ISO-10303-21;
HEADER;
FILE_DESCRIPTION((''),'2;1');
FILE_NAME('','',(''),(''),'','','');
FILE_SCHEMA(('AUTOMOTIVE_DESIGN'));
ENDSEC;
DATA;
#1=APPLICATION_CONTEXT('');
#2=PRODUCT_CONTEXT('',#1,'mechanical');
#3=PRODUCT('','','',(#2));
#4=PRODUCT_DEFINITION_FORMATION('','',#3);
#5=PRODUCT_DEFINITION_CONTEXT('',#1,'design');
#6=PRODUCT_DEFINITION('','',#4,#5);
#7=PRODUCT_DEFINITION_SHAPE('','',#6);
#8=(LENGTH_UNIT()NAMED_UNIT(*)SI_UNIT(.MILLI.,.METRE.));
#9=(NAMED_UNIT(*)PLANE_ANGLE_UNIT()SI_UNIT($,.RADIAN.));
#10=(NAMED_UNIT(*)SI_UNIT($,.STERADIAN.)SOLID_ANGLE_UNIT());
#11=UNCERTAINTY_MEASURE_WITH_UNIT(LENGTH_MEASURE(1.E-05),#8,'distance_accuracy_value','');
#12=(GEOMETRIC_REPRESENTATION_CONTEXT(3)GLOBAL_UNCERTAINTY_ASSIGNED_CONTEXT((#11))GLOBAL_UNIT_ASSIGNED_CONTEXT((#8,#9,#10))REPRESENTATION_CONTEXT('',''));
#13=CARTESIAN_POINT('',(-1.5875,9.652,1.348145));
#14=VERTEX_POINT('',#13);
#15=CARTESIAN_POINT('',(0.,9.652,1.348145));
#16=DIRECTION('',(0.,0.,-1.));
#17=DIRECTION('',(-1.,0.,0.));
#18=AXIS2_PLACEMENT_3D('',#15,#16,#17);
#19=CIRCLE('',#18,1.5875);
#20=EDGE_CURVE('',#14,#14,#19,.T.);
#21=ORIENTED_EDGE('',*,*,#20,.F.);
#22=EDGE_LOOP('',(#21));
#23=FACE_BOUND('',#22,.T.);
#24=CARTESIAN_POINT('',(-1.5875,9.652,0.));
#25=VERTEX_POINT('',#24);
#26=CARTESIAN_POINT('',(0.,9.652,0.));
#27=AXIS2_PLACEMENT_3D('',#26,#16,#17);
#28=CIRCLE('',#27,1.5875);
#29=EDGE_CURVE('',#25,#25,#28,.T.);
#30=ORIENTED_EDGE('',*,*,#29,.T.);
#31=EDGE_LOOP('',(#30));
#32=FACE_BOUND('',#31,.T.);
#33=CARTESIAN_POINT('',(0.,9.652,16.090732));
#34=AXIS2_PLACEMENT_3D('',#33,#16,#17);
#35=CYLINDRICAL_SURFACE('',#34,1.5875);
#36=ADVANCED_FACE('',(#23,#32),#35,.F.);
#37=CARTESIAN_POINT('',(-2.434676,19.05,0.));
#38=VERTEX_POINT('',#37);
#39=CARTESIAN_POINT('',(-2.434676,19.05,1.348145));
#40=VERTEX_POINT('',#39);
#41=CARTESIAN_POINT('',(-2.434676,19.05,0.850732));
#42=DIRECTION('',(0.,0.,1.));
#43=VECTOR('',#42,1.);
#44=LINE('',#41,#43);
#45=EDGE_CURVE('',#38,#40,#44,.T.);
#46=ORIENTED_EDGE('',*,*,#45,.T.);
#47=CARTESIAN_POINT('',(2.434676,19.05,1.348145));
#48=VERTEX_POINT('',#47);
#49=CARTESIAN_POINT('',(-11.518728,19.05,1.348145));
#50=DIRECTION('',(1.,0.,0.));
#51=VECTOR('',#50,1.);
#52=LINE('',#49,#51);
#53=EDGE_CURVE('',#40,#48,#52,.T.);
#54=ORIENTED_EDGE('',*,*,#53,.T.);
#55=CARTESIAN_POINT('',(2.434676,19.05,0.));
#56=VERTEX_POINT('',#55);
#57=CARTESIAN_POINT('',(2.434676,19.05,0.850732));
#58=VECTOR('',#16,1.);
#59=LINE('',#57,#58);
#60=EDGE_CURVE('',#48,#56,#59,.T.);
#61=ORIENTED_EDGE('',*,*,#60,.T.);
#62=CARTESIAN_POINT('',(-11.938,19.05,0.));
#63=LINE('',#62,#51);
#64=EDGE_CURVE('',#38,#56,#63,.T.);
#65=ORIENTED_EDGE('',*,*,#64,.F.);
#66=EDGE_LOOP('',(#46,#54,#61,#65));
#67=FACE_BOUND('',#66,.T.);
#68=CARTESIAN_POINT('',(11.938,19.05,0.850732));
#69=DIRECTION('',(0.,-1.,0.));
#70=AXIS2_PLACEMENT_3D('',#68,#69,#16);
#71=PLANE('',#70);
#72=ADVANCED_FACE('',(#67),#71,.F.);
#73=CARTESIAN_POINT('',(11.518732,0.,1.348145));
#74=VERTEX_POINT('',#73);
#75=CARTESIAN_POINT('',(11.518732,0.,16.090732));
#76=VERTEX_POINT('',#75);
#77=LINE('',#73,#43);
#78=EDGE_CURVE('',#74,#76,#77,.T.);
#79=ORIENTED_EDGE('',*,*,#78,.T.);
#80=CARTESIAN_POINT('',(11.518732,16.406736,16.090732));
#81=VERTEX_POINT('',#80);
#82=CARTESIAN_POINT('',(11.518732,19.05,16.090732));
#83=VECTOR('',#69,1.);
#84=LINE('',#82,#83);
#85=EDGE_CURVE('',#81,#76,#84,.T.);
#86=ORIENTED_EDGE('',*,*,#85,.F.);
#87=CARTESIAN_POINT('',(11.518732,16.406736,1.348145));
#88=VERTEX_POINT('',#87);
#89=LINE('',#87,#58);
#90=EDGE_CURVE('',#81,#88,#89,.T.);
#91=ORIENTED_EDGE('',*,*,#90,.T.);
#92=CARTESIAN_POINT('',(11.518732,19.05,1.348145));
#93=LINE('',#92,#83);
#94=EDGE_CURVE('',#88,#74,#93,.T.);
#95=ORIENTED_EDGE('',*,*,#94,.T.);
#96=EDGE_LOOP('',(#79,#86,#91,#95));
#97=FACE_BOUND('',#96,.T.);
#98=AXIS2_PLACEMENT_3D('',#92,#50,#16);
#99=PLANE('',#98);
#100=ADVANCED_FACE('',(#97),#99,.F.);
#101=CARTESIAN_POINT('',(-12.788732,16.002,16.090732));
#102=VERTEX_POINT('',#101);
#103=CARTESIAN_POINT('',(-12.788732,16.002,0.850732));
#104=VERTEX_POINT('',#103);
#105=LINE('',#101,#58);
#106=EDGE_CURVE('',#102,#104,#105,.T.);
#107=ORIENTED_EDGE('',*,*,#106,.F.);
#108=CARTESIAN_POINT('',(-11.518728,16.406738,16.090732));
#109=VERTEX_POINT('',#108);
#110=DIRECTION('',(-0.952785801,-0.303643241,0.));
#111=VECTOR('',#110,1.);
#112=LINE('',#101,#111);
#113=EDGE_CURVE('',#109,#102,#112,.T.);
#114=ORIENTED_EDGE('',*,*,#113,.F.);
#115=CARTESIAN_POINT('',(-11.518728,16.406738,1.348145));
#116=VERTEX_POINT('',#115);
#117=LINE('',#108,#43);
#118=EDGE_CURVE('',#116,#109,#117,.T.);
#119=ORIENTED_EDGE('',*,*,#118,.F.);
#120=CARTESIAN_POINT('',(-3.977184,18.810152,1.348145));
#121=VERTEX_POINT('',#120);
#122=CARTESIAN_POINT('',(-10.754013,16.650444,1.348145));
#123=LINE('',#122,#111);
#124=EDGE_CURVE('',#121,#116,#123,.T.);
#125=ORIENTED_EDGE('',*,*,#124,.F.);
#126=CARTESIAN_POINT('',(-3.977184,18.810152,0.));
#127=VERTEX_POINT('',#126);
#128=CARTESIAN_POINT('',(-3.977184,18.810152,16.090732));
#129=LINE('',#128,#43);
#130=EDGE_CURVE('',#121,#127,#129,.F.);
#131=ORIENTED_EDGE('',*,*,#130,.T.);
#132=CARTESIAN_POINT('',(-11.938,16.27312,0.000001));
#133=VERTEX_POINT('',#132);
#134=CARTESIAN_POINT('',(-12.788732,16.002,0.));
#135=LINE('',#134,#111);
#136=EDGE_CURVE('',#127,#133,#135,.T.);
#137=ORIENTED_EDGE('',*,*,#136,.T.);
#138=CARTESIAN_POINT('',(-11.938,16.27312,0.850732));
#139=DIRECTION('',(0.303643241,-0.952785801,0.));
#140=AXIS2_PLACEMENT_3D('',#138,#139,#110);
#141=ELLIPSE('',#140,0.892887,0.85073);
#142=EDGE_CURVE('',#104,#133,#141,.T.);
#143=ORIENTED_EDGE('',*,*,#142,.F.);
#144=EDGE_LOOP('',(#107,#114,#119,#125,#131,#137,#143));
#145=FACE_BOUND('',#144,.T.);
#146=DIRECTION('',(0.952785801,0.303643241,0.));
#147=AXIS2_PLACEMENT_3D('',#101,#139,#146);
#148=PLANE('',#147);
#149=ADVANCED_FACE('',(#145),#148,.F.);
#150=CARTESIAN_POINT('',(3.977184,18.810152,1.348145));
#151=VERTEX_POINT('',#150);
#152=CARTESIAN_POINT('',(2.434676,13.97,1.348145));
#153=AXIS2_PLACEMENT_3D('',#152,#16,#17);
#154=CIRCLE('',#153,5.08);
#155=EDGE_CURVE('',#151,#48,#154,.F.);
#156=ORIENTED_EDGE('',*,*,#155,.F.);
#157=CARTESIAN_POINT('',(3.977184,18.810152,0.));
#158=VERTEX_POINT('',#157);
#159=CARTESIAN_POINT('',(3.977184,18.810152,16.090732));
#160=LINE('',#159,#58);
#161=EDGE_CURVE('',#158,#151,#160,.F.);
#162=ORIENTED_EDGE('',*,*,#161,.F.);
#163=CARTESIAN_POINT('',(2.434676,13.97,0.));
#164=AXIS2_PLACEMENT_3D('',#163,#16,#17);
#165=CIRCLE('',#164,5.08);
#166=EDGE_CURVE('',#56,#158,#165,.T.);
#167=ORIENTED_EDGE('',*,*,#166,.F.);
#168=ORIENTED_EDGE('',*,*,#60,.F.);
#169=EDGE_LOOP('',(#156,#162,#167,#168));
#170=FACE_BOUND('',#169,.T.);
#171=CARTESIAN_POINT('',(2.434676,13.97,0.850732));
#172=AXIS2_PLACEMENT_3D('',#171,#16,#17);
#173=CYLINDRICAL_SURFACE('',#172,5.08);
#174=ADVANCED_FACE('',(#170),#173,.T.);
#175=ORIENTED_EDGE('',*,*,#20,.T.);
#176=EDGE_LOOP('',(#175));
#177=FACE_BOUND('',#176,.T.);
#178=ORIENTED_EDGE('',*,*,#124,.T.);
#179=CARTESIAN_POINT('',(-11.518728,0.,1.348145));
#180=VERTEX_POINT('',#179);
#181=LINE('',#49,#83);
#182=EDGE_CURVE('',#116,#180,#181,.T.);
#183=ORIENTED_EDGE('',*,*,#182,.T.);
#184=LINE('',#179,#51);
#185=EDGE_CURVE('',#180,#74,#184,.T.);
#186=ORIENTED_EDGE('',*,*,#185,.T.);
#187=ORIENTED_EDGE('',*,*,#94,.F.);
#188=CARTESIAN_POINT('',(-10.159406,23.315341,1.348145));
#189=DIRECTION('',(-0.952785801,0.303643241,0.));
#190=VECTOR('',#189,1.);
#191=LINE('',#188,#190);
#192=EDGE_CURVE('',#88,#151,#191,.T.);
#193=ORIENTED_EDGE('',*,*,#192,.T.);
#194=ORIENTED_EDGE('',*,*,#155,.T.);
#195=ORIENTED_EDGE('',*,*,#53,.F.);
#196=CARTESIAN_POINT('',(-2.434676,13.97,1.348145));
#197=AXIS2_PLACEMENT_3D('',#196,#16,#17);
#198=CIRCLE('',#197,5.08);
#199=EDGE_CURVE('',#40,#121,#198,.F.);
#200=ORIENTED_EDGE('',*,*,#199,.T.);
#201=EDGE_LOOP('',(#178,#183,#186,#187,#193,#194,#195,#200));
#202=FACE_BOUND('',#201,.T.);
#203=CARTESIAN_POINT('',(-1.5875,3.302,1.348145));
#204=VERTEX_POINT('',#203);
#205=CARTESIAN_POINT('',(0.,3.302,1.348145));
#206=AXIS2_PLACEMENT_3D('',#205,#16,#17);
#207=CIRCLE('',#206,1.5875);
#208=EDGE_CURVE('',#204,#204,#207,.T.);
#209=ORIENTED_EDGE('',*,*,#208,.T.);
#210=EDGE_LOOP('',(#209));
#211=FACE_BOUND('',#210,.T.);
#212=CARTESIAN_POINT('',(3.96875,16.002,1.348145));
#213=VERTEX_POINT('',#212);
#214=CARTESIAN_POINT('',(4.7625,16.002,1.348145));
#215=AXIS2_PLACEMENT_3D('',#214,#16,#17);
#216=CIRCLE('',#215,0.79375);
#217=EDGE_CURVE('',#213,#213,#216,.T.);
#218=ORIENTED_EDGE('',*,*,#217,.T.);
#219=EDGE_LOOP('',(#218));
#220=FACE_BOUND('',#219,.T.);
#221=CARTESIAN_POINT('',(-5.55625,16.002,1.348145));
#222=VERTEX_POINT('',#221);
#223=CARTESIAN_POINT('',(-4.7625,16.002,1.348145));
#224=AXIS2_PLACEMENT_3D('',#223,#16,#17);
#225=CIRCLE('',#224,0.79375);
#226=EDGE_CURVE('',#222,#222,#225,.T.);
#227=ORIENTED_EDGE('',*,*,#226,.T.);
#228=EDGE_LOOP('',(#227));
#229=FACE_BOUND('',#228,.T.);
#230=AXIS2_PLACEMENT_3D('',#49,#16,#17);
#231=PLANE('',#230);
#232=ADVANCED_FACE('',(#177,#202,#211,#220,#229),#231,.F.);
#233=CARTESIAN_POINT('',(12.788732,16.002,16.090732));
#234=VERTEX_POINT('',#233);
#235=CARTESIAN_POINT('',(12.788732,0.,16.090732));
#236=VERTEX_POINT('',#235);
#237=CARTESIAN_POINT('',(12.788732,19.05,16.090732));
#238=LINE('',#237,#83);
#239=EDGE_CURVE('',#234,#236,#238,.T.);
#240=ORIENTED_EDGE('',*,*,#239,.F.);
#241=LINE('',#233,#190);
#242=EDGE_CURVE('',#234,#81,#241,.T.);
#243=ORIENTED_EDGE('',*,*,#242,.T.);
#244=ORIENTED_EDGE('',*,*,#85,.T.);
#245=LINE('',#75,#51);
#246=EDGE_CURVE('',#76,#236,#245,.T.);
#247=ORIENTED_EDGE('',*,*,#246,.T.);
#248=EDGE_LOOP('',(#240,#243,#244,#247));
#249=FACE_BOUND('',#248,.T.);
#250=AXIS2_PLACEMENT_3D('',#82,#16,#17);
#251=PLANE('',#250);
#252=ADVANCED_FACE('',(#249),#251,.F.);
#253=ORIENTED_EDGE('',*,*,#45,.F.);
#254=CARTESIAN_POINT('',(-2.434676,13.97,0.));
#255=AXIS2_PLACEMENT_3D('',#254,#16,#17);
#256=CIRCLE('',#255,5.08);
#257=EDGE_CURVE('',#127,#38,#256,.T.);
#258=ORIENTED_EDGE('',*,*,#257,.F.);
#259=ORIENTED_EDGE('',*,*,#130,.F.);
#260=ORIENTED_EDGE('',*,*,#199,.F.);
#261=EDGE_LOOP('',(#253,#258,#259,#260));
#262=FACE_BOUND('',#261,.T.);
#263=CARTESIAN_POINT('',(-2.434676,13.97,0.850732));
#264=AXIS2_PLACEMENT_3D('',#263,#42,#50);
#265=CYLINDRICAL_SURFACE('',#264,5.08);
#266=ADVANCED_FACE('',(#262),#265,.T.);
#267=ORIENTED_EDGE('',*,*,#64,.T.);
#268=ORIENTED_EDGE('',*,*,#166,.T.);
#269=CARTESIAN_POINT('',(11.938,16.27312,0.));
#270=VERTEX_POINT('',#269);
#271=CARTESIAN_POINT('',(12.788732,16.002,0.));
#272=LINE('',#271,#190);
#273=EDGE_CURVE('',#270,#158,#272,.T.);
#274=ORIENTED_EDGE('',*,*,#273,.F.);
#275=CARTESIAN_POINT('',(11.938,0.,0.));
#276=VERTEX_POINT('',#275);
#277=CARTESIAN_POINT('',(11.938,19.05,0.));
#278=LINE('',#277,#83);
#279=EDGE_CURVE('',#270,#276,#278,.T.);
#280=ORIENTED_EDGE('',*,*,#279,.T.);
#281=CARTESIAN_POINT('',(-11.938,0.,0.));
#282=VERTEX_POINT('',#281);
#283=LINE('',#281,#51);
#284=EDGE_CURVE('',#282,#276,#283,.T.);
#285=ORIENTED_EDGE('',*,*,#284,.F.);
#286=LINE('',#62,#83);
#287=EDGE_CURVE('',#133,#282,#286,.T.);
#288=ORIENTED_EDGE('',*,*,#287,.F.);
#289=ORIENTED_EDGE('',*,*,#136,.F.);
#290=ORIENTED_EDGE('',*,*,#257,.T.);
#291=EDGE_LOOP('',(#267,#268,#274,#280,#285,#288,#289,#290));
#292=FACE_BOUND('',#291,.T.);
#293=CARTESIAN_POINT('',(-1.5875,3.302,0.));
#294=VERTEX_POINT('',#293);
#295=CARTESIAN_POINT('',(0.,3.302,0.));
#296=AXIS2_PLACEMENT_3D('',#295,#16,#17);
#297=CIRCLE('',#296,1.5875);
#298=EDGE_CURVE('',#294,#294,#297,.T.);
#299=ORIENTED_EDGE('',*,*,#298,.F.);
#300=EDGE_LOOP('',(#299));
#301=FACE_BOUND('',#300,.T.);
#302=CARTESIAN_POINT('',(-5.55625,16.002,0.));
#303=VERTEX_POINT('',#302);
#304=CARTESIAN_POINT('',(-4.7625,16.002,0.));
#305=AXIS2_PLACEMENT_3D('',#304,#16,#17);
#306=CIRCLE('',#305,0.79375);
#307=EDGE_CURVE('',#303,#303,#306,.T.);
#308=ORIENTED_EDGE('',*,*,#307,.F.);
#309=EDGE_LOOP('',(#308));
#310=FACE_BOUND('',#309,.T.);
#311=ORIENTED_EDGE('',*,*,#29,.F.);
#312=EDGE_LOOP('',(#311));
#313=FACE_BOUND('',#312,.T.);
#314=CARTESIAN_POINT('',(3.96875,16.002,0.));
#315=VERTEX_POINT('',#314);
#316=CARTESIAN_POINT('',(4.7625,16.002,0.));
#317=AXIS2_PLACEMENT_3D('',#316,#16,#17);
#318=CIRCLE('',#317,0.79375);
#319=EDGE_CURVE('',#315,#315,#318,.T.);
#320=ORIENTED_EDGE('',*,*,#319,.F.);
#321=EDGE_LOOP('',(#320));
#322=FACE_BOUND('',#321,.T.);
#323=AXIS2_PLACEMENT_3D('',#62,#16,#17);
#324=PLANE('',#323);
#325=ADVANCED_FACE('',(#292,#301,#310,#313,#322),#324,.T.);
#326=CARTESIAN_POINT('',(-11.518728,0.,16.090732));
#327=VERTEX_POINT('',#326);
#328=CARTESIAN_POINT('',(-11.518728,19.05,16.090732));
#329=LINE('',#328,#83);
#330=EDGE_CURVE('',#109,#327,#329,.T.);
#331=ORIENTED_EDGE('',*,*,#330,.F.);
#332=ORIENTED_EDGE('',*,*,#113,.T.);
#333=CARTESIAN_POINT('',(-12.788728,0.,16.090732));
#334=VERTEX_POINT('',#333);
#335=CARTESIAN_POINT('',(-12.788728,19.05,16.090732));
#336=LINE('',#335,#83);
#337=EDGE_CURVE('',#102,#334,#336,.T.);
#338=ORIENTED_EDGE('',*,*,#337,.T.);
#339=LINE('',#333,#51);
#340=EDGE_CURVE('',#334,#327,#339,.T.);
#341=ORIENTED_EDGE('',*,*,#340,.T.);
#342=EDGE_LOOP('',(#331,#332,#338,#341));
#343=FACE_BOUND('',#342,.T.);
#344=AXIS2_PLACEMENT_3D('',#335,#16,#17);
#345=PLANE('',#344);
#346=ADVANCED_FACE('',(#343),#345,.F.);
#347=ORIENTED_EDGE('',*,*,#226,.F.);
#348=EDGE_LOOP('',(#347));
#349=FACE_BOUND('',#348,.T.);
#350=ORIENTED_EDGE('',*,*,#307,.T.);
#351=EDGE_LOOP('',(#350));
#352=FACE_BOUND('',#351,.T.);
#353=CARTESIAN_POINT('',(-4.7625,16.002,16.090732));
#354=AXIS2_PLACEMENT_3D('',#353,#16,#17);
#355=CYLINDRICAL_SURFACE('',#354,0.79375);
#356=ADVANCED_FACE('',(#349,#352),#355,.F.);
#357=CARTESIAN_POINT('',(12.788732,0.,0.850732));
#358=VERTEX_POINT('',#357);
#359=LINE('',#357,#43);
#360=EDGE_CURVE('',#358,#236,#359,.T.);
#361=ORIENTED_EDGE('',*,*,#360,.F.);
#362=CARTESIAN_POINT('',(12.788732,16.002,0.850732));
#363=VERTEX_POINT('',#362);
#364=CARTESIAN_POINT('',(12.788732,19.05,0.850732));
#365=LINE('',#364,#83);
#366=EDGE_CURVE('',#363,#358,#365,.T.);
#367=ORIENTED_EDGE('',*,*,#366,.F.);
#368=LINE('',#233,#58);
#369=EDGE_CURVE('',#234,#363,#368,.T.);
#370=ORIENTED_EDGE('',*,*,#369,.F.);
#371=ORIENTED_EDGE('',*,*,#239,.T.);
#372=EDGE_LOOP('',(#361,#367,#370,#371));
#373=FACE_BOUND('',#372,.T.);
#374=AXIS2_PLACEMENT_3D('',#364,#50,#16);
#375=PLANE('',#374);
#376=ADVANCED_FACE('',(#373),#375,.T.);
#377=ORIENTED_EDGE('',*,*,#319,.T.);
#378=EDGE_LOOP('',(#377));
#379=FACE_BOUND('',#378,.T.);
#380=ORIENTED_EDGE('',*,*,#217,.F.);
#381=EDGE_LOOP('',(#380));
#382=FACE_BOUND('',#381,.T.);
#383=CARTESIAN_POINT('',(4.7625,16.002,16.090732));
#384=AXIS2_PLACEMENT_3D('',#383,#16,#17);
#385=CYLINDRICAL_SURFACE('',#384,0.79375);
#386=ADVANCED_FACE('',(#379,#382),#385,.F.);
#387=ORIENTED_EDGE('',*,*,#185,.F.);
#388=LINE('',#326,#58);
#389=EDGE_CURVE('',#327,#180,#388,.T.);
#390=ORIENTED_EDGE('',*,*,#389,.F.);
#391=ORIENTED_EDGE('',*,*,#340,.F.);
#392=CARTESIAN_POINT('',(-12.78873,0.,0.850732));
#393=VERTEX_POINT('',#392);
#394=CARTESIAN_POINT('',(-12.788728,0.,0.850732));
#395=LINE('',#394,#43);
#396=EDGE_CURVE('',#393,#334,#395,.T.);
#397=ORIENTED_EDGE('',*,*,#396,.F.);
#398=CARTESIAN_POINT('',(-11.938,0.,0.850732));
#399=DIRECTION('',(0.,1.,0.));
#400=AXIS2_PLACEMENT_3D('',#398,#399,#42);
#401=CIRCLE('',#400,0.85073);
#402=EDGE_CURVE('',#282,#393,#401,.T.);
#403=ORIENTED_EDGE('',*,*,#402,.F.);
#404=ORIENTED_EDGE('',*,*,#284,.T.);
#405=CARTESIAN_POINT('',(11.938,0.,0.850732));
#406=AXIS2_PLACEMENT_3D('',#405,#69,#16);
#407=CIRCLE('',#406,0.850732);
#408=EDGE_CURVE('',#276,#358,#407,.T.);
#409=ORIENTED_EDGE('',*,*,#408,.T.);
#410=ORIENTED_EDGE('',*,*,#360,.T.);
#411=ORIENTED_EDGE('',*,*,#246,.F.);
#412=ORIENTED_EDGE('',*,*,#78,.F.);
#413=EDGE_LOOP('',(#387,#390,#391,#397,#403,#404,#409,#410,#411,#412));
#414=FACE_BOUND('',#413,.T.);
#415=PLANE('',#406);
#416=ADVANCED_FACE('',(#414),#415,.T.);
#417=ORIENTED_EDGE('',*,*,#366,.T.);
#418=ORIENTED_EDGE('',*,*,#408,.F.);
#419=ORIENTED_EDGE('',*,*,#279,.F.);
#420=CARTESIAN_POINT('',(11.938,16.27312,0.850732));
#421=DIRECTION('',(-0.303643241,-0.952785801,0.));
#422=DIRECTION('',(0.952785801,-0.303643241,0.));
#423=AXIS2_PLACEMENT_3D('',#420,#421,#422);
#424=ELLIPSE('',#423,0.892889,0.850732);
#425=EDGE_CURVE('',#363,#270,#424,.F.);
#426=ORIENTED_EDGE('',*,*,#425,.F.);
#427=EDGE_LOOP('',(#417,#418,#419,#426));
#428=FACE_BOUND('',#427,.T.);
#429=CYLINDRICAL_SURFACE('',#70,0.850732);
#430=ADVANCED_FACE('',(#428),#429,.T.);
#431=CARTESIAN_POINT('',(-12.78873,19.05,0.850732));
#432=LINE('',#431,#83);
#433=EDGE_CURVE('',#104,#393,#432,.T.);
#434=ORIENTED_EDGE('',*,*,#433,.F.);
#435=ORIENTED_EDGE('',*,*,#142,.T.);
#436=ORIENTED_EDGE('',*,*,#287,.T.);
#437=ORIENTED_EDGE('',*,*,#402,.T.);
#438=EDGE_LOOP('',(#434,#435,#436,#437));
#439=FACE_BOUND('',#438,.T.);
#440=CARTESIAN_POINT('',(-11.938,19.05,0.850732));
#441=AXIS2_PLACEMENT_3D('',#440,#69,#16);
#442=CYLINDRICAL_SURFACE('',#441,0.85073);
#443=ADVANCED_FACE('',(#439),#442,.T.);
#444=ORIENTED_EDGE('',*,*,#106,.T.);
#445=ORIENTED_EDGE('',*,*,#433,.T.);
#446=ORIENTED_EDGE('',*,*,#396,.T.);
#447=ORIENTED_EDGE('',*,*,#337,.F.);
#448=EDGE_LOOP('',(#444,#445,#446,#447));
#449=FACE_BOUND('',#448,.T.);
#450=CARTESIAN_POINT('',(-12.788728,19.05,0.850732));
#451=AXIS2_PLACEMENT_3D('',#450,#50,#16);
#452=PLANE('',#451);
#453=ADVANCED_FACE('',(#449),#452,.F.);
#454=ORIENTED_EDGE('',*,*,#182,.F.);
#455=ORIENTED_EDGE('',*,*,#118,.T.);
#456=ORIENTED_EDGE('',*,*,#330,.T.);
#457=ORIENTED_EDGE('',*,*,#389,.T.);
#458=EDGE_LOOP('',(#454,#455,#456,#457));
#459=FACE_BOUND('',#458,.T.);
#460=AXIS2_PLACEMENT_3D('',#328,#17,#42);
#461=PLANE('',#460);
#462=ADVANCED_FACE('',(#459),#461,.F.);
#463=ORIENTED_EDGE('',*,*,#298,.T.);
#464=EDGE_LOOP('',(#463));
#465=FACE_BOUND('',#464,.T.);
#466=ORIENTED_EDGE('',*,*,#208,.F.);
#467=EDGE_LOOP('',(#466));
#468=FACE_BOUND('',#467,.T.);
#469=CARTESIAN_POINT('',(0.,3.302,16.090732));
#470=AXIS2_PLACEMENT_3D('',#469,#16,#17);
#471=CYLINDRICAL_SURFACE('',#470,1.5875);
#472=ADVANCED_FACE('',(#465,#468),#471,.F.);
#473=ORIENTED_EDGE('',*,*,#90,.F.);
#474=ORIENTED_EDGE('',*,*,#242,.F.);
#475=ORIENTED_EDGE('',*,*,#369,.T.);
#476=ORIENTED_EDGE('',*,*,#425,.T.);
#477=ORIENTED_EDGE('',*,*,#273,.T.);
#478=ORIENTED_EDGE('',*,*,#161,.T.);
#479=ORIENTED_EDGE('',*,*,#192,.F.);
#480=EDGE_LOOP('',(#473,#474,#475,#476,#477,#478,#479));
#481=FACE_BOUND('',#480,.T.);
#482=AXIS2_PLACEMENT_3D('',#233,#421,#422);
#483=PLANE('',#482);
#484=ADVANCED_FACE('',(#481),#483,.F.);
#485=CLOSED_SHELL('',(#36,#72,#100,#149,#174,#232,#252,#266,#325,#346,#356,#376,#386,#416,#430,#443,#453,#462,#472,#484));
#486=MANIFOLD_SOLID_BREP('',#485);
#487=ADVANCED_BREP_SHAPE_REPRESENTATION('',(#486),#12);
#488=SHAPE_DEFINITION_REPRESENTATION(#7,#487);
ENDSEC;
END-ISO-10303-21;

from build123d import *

# Parameters (mm, degrees)
BOSS_EXTRUDE1_DEPTH = 19.05
SKETCH9_R           = 1.5875
SKETCH9_R_2         = 0.79375
CUT_EXTRUDE3_DEPTH  = 29.02437948
FILLET1_R           = 5.08


with BuildPart() as part:
    # Sketch8 → Boss-Extrude1 (new body)
    with BuildSketch(Plane(origin=(0, 0, 0), x_dir=(1, 0, 0), z_dir=(0, 1, 0))):
        with BuildLine():
            Line((-11.938, 0), (11.938, 0))
            ThreePointArc((11.938, 0), (12.539558645, -0.249173749), (12.788732394, -0.850732394))
            Line((12.788732394, -0.850732394), (12.788732394, -16.090732394))
            Line((12.788732394, -16.090732394), (11.518732394, -16.090732394))
            Line((11.518732394, -16.090732394), (11.518732394, -1.348144756))
            Line((11.518732394, -1.348144756), (-11.518727516, -1.348144756))
            Line((-11.518727516, -1.348144756), (-11.518727516, -16.090732394))
            Line((-11.518727516, -16.090732394), (-12.788727516, -16.090732394))
            Line((-12.788727516, -16.090732394), (-12.788727516, -0.850732394))
            ThreePointArc((-12.788727516, -0.850732394), (-12.539558645, -0.249173749), (-11.938, 0))
        make_face()
    extrude(amount=BOSS_EXTRUDE1_DEPTH)

    # Sketch9 → Cut-Extrude3 (cut, through all)
    with BuildSketch(Plane(origin=(0, 0, 0), x_dir=(-1, 0, 0), z_dir=(0, 0, -1))):
        with Locations((0, 9.652)):
            Circle(SKETCH9_R)
        with Locations((0, 3.302)):
            Circle(SKETCH9_R)
        with Locations((-4.7625, 16.002)):
            Circle(SKETCH9_R_2)
        with Locations((4.7625, 16.002)):
            Circle(SKETCH9_R_2)
        Polygon((-12.788732394, 16.002), (-3.224577063, 19.05), (-12.788732394, 19.05), align=None)
        Polygon((12.788732394, 16.002), (3.224577063, 19.05), (12.788729955, 19.05), align=None)
    extrude(amount=-CUT_EXTRUDE3_DEPTH, mode=Mode.SUBTRACT)

    # Fillet1
    fillet1_edges = [part.edges().sort_by_distance(p)[0] for p in [
        (3.224577063, 19.05, 0.674072378),
        (-3.224577063, 19.05, 0.674072378),
    ]]
    fillet(fillet1_edges, radius=FILLET1_R)


solid = part.part
